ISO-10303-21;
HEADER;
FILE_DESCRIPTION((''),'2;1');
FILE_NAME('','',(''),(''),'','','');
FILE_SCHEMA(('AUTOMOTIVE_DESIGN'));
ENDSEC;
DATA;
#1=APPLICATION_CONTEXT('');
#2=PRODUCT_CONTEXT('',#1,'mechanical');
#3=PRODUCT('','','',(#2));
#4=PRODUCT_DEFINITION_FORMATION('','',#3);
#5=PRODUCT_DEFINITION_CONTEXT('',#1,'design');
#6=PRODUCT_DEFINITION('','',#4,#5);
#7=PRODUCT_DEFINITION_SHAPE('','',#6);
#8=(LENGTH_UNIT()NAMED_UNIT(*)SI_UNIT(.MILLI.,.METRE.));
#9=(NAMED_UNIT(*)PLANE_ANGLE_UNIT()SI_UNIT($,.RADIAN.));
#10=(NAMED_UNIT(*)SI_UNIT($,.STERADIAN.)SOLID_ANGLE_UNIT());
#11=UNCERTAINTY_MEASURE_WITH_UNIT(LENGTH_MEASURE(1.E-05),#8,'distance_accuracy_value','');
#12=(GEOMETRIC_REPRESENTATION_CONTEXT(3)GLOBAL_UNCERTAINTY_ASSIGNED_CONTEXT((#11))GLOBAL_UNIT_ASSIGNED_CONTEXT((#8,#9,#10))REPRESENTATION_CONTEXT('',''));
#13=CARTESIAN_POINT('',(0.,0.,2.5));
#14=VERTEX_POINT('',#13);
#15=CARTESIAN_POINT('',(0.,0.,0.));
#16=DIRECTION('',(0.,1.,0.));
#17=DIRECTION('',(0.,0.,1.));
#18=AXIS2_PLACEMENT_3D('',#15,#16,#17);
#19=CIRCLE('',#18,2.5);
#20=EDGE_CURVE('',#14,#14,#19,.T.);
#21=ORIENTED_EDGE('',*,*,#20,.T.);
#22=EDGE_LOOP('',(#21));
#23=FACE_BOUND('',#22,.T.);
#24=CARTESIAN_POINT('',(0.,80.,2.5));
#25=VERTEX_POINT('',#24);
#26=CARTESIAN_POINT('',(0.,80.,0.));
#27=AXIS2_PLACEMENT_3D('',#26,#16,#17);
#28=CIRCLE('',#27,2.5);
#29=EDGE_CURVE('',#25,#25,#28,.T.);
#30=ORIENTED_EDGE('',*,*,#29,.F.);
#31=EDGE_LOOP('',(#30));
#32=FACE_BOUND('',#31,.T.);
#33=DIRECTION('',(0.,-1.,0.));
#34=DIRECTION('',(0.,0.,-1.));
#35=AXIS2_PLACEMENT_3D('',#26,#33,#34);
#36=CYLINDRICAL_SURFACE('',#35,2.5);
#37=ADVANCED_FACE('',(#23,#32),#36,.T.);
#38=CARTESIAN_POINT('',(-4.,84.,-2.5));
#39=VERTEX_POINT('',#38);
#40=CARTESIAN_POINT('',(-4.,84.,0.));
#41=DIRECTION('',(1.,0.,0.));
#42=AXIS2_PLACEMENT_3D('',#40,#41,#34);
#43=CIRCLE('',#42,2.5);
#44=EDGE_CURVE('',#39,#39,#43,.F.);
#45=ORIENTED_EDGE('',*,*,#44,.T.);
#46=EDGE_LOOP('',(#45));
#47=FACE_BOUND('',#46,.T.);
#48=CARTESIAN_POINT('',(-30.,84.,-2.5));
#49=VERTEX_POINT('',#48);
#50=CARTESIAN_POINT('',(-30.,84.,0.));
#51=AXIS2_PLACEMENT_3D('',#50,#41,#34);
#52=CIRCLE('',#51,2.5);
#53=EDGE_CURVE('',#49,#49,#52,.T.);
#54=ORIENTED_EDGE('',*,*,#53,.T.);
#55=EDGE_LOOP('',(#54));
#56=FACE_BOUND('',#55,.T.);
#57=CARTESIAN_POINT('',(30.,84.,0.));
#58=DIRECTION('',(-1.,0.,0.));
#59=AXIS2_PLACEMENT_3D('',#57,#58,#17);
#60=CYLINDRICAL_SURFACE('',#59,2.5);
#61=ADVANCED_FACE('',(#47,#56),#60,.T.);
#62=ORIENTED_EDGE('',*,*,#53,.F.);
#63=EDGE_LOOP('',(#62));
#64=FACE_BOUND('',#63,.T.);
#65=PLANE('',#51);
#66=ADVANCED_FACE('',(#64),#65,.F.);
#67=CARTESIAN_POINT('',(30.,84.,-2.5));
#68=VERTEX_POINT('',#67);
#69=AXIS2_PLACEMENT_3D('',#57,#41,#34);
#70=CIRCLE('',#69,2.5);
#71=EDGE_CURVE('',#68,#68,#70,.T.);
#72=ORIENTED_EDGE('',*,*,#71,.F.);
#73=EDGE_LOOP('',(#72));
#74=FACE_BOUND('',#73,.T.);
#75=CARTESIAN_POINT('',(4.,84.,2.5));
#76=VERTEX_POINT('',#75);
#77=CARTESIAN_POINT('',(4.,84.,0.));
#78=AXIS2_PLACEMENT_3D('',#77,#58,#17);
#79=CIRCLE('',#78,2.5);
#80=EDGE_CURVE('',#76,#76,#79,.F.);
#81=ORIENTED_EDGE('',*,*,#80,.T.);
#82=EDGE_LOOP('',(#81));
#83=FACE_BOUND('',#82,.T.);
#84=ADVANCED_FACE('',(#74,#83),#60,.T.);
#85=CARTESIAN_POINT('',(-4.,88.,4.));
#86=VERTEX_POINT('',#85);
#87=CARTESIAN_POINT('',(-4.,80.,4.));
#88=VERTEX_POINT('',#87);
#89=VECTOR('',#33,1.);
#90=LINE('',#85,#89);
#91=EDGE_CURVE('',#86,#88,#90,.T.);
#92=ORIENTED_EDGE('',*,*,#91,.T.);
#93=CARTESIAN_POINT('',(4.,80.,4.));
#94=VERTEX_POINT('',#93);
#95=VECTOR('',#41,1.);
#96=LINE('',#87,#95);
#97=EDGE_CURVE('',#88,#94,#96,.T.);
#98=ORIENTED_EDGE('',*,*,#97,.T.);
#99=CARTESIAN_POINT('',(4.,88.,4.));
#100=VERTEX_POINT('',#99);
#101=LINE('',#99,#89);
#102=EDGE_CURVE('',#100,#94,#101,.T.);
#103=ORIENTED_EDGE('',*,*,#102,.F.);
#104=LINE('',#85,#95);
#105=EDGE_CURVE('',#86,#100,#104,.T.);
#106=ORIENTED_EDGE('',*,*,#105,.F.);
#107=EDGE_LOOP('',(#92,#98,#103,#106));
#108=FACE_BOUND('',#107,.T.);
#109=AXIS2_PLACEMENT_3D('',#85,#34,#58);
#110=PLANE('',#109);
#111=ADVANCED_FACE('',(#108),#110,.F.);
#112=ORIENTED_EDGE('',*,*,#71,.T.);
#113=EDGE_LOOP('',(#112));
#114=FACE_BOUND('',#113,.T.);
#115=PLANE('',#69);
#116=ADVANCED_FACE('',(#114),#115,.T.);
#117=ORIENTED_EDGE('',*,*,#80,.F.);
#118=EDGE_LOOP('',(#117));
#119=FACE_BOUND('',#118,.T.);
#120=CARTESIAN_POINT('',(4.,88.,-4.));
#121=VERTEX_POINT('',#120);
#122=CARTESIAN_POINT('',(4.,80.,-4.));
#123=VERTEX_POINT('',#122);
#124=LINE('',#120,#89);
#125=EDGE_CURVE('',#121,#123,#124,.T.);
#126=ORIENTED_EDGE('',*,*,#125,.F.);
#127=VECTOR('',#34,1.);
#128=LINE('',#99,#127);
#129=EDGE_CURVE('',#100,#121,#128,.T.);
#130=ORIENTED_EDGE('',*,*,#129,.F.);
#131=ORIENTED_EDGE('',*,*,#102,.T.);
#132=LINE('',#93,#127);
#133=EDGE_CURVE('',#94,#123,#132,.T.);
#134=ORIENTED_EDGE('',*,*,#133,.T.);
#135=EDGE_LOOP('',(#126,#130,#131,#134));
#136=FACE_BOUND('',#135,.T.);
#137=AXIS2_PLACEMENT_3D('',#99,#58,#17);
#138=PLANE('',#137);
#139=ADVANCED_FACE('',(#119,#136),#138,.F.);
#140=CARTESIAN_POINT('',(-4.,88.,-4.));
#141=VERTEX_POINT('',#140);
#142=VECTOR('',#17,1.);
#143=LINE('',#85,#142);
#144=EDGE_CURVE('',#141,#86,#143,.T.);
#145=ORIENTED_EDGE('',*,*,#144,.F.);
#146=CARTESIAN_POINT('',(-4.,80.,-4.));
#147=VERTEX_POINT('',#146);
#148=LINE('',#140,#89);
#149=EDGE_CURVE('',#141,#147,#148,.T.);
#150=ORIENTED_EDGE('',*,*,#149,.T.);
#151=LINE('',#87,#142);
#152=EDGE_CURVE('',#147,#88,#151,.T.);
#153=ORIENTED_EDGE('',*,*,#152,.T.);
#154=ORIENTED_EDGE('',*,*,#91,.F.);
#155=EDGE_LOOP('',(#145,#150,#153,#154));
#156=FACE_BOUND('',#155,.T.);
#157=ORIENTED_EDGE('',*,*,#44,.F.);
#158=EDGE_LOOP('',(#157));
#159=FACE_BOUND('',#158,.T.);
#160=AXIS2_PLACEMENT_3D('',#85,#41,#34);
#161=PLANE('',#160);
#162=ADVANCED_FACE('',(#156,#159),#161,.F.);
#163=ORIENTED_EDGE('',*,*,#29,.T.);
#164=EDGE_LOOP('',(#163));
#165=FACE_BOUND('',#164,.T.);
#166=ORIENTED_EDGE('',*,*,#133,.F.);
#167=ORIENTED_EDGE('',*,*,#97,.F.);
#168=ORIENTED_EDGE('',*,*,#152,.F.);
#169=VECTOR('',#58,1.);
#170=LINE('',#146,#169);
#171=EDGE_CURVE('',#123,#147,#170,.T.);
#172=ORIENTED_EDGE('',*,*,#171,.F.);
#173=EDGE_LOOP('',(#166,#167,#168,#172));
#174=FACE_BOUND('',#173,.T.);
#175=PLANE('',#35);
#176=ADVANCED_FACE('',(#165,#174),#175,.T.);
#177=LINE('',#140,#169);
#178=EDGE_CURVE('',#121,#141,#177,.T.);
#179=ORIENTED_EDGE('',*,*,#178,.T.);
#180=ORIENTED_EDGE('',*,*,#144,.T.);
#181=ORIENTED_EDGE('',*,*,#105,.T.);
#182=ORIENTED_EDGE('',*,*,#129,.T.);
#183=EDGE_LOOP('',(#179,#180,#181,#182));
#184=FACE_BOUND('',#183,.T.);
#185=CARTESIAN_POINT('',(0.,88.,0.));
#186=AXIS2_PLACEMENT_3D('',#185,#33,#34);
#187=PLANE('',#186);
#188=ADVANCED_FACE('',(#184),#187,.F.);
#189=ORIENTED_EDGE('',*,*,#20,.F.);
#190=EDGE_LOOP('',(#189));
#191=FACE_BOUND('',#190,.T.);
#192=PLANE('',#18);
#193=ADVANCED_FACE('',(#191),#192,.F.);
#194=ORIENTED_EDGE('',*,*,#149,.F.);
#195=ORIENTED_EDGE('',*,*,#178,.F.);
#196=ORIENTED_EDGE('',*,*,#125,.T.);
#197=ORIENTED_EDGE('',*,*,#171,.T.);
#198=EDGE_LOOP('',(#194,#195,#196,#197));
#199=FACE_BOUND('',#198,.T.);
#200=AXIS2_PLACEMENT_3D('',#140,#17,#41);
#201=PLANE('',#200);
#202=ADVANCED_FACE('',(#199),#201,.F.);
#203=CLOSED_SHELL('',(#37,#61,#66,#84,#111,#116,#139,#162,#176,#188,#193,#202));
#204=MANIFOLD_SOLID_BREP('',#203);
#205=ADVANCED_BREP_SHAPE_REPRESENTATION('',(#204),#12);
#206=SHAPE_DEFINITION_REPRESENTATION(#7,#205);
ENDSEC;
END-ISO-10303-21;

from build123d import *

# Parameters (mm, degrees)
SKETCH1_R           = 2.5
BOSS_EXTRUDE1_DEPTH = 80
SKETCH2_W           = 8
SKETCH2_H           = 8
BOSS_EXTRUDE2_DEPTH = 8
SKETCH3_R           = 2.5
BOSS_EXTRUDE3_DEPTH = 30


with BuildPart() as part:
    # Sketch1 → Boss-Extrude1 (new body)
    with BuildSketch(Plane(origin=(0, 0, 0), x_dir=(1, 0, 0), z_dir=(0, 1, 0))):
        Circle(SKETCH1_R)
    extrude(amount=BOSS_EXTRUDE1_DEPTH)

    # Sketch2 → Boss-Extrude2 (add)
    with BuildSketch(Plane(origin=(0, 80, 0), x_dir=(1, 0, 0), z_dir=(0, 1, 0))):
        Rectangle(SKETCH2_W, SKETCH2_H)
    extrude(amount=BOSS_EXTRUDE2_DEPTH)

    # Sketch3 → Boss-Extrude3 (add, symmetric)
    with BuildSketch(Plane(origin=(0, 0, 0), x_dir=(0, 0, -1), z_dir=(1, 0, 0))):
        with Locations((0, 84)):
            Circle(SKETCH3_R)
    extrude(amount=BOSS_EXTRUDE3_DEPTH, both=True)


solid = part.part
